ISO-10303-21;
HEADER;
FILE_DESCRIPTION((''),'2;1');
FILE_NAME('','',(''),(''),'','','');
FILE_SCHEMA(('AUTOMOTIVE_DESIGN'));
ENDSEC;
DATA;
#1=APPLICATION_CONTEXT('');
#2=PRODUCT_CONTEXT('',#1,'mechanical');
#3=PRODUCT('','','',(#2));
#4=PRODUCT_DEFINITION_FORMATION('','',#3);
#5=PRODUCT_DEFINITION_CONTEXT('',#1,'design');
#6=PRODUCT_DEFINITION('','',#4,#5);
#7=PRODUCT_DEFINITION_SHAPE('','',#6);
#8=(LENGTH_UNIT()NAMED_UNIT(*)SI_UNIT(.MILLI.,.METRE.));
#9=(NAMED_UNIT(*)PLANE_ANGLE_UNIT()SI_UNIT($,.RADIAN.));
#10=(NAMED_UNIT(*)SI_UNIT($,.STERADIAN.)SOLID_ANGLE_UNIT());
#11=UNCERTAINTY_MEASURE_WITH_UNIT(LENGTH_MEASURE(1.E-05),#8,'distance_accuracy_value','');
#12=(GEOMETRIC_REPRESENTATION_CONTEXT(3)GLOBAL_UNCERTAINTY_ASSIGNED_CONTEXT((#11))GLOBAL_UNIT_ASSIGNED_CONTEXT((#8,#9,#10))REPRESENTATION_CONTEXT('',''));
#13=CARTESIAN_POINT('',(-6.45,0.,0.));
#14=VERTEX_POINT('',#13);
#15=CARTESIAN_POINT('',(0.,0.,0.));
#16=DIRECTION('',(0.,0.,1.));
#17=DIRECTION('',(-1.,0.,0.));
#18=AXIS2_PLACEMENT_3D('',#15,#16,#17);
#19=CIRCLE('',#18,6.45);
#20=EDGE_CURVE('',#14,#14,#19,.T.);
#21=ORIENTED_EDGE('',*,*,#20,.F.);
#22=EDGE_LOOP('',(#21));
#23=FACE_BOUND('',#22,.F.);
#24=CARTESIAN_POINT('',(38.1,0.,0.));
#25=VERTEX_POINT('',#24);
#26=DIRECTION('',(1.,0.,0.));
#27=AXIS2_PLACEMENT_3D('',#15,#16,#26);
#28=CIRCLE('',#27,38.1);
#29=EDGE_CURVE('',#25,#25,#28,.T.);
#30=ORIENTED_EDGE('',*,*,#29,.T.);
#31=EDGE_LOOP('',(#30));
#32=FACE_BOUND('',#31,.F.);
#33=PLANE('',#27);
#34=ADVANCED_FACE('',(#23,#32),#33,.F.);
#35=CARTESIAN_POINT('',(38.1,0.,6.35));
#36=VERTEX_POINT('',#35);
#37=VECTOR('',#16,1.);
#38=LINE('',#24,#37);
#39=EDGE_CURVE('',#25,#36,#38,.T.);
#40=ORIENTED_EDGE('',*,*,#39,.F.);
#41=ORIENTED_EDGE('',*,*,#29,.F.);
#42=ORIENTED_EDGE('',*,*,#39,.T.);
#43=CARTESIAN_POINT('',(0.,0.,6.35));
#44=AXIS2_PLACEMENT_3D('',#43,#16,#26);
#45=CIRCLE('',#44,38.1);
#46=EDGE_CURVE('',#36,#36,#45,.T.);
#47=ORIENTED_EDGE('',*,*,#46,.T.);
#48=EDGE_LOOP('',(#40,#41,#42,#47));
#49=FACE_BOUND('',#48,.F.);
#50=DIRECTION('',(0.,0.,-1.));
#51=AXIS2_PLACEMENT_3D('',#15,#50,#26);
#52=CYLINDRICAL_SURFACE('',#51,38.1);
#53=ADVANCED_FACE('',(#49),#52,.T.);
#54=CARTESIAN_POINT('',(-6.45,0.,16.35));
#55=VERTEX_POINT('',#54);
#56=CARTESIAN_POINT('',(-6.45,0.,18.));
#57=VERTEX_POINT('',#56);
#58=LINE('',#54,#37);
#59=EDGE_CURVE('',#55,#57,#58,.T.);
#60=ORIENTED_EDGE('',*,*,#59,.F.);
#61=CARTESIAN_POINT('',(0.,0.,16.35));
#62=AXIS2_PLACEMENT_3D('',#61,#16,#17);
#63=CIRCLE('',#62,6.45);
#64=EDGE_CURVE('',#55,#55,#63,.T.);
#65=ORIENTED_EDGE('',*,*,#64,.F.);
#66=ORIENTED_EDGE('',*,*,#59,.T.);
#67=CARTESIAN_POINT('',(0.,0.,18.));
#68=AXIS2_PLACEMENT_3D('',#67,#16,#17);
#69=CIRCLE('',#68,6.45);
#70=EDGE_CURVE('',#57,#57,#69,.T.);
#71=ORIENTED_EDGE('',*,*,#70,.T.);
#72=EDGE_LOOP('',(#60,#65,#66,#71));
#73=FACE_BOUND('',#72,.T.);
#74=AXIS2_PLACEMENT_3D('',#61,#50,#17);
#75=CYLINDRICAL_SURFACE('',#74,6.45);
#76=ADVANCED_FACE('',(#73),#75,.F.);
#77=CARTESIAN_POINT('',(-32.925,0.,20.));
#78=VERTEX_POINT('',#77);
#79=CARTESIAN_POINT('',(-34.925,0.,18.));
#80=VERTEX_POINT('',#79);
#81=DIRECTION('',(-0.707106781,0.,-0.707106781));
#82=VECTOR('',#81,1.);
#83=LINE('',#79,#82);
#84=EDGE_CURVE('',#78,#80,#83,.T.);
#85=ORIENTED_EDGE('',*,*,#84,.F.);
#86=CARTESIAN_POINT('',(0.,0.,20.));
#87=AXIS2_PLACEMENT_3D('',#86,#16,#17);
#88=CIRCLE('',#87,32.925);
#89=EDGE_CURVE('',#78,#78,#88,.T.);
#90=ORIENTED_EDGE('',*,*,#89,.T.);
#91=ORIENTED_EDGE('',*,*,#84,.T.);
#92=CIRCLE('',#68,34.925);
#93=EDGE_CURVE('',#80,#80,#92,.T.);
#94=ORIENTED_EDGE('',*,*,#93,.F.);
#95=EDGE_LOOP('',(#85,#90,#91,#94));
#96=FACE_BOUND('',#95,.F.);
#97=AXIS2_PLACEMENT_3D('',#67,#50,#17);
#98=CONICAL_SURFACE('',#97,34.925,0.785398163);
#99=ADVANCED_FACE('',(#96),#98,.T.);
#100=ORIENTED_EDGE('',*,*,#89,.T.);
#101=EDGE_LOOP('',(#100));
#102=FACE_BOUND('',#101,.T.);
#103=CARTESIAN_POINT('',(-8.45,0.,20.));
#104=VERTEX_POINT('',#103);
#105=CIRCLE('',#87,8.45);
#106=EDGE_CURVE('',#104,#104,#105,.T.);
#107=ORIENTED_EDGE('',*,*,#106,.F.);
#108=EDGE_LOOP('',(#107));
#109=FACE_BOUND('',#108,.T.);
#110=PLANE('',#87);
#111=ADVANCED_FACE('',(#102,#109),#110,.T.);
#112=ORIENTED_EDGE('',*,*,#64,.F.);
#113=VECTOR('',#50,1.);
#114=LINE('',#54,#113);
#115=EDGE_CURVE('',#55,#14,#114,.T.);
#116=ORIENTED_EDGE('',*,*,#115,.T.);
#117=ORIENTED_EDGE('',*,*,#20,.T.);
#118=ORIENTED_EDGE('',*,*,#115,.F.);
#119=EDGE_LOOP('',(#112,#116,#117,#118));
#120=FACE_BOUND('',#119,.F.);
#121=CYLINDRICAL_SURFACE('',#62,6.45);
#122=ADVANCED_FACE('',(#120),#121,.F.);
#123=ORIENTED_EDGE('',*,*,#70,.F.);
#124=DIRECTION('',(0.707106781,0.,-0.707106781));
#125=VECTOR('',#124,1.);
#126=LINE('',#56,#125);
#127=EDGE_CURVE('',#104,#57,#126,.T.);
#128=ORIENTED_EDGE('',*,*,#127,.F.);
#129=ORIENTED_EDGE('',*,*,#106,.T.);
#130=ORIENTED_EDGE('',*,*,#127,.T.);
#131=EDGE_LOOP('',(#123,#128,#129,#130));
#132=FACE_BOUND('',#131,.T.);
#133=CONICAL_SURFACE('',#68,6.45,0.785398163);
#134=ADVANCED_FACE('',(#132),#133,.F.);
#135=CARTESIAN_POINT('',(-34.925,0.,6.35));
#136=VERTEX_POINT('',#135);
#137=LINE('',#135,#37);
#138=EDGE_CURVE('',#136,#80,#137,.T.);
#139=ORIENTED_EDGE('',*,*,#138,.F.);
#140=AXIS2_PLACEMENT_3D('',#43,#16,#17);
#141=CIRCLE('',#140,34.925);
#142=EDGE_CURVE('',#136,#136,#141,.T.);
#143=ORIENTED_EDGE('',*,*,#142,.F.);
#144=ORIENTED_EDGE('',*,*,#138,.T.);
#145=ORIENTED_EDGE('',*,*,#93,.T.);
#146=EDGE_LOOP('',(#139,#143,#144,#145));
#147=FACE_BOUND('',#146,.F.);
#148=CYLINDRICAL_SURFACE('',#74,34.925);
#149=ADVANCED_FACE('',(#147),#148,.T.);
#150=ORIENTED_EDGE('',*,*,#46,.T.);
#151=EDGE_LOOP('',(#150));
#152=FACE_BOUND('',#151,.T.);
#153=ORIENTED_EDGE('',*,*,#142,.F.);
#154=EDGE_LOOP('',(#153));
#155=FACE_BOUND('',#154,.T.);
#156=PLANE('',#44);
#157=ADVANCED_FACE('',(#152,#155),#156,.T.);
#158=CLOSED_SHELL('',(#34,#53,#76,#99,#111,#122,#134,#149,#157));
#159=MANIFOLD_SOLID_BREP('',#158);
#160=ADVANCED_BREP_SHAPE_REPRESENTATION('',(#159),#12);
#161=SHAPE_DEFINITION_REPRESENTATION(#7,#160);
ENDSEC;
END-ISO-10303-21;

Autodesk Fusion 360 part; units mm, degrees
sketch "Roller_End_Cap_Outter" plane through (0, 0, 0) normal (0, 0, 1) x (1, 0, 0)
  circle A0 centre (0, 0) radius 38.1
  dimension "d2" = 76.2
extrude "Extrude1" add sketch "Roller_End_Cap_Outter" along normal blind 6.35
sketch "Roller_End_Cap_Inner" plane through (0, 0, 6.35) normal (0, 0, 1) x (-1, 0, 0)
  circle A0 centre (0, 0) radius 38.1
  circle A1 centre (0, 0) radius 34.925
  dimension "d7" = 69.85
extrude "Extrude3" add sketch "Roller_End_Cap_Inner" along normal blind 10 contours A1
sketch "Shaft Hole" plane through (0, 0, 16.35) normal (0, 0, 1) x (-1, 0, 0)
  circle A0 centre (0, 0) radius 34.925
  circle A1 centre (0, 0) radius 6.45
  dimension "d10" = 12.9
extrude "Extrude4" cut sketch "Shaft Hole" against normal through all contours A1
extrude "Extrude5" add 1 faces at (-25.3033, 1.7351, 16.35) along direction (0, 0, 1) blind 3.65
chamfer "Chamfer1" distance 2 angle 45 1 edges at (6.0135, -2.3324, 20)
chamfer "Chamfer2" distance 2 angle 45 1 edges at (32.5615, 12.6294, 20)
